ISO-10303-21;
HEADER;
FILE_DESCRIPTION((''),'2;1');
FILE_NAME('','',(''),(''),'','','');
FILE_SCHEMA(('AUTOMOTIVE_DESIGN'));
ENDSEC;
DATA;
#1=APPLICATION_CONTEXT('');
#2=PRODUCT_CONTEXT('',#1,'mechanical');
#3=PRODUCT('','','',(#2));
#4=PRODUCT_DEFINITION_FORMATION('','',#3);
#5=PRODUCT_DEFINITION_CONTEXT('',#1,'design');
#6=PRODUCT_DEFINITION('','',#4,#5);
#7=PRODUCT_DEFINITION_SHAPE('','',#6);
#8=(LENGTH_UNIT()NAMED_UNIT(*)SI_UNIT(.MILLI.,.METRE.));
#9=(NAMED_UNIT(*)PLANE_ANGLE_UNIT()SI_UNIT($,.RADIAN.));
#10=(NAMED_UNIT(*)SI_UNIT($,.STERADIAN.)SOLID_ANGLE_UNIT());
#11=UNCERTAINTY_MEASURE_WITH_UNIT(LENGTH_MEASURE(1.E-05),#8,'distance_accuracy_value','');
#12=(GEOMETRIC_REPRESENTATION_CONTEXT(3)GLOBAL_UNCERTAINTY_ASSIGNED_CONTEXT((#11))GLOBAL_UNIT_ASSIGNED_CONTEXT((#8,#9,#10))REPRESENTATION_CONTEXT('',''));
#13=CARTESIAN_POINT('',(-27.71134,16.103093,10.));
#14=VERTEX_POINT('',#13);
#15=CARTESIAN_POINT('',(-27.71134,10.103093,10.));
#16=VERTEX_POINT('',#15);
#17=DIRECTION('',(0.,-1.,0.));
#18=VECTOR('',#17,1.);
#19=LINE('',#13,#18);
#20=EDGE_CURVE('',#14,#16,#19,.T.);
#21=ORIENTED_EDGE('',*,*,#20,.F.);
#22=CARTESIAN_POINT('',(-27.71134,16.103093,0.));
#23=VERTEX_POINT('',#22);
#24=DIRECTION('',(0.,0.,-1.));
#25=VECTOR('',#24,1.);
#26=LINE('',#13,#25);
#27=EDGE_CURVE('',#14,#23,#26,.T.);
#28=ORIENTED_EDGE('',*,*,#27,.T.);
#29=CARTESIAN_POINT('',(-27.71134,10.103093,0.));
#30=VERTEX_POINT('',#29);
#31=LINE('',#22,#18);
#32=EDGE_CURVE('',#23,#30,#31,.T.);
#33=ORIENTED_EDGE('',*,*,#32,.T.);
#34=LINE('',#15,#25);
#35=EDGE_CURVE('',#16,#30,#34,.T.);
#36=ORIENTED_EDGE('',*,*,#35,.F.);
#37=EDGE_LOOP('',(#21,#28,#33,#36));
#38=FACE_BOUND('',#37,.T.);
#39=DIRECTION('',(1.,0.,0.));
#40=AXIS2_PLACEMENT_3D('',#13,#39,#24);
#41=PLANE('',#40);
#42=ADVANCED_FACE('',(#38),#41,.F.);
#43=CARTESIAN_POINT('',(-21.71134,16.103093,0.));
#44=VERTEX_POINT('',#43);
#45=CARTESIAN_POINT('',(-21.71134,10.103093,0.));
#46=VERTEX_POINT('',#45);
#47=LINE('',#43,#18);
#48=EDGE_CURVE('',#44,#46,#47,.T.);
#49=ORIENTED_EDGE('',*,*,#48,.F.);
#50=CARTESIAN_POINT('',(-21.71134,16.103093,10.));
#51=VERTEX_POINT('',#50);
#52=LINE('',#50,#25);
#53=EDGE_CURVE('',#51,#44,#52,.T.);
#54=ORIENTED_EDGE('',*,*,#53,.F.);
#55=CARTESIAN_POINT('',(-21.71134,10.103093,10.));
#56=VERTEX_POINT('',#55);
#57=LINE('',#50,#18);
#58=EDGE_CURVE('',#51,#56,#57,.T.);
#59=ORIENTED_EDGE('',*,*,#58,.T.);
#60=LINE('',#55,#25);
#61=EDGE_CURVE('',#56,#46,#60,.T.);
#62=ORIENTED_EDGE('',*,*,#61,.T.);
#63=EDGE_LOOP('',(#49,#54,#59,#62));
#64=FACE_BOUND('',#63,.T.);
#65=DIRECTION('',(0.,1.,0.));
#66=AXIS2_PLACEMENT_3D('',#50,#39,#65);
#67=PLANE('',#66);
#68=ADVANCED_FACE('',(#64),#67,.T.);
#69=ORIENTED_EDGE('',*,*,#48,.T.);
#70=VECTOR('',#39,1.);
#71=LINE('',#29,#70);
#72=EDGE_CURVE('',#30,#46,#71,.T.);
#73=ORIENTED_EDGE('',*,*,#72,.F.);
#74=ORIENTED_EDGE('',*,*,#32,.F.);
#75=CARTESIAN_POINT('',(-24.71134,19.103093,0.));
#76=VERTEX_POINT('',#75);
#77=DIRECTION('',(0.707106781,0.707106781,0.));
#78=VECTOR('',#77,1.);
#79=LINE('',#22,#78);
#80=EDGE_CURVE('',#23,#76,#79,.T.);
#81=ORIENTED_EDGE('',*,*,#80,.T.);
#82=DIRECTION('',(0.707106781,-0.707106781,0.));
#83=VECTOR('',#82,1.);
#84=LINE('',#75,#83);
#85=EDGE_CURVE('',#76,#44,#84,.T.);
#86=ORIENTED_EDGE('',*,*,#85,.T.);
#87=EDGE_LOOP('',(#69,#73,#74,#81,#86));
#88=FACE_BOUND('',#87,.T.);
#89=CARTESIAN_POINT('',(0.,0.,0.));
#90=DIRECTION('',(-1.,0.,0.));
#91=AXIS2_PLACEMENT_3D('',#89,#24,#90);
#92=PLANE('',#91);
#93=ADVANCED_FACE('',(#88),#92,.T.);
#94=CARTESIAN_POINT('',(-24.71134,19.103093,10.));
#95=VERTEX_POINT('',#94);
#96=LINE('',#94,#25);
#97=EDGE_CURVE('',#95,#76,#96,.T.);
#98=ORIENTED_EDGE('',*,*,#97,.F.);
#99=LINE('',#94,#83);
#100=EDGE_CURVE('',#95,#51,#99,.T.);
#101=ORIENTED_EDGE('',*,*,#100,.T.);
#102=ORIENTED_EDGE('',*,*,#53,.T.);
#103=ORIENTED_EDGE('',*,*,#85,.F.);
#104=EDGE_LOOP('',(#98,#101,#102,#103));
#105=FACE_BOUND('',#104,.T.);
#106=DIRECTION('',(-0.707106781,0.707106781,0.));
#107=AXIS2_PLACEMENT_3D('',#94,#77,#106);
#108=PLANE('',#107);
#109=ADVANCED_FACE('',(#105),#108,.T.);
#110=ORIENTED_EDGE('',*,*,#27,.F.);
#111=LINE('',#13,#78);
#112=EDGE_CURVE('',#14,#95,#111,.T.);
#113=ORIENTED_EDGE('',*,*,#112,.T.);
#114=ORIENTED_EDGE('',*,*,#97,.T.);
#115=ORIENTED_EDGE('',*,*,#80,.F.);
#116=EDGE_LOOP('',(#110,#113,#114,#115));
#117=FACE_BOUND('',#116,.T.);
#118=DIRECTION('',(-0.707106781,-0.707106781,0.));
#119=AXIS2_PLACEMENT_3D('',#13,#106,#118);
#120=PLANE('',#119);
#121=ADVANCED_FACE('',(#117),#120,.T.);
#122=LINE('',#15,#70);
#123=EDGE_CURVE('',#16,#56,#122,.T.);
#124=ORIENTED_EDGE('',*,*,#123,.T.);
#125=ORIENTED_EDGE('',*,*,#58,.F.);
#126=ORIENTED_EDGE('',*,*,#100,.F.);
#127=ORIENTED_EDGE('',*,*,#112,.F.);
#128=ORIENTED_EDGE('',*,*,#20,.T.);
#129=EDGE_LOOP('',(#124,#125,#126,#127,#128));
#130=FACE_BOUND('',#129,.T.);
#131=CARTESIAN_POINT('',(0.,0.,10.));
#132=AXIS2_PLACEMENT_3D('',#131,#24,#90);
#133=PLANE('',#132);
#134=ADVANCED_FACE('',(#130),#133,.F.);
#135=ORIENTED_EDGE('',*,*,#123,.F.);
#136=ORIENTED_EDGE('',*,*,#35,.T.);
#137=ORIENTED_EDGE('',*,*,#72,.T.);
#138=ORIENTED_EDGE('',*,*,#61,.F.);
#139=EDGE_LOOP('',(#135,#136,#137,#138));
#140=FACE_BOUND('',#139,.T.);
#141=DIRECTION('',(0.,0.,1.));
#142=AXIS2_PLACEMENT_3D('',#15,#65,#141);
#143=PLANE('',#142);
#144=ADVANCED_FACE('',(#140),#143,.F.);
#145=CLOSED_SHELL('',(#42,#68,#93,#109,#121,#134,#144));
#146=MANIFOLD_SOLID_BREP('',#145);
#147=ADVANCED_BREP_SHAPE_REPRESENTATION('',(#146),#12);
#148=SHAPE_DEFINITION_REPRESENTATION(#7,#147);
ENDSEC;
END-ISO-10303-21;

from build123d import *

# Parameters (mm, degrees)
BOSS_EXTRUDE1_DEPTH = 10


with BuildPart() as part:
    # Sketch1 → Boss-Extrude1 (new body)
    with BuildSketch(Plane.XY):
        Polygon((-27.711340206, 16.103092784), (-24.711340206, 19.103092784), (-21.711340206, 16.103092784), (-21.711340206, 10.103092784), (-27.711340206, 10.103092784), align=None)
    extrude(amount=BOSS_EXTRUDE1_DEPTH)


solid = part.part
